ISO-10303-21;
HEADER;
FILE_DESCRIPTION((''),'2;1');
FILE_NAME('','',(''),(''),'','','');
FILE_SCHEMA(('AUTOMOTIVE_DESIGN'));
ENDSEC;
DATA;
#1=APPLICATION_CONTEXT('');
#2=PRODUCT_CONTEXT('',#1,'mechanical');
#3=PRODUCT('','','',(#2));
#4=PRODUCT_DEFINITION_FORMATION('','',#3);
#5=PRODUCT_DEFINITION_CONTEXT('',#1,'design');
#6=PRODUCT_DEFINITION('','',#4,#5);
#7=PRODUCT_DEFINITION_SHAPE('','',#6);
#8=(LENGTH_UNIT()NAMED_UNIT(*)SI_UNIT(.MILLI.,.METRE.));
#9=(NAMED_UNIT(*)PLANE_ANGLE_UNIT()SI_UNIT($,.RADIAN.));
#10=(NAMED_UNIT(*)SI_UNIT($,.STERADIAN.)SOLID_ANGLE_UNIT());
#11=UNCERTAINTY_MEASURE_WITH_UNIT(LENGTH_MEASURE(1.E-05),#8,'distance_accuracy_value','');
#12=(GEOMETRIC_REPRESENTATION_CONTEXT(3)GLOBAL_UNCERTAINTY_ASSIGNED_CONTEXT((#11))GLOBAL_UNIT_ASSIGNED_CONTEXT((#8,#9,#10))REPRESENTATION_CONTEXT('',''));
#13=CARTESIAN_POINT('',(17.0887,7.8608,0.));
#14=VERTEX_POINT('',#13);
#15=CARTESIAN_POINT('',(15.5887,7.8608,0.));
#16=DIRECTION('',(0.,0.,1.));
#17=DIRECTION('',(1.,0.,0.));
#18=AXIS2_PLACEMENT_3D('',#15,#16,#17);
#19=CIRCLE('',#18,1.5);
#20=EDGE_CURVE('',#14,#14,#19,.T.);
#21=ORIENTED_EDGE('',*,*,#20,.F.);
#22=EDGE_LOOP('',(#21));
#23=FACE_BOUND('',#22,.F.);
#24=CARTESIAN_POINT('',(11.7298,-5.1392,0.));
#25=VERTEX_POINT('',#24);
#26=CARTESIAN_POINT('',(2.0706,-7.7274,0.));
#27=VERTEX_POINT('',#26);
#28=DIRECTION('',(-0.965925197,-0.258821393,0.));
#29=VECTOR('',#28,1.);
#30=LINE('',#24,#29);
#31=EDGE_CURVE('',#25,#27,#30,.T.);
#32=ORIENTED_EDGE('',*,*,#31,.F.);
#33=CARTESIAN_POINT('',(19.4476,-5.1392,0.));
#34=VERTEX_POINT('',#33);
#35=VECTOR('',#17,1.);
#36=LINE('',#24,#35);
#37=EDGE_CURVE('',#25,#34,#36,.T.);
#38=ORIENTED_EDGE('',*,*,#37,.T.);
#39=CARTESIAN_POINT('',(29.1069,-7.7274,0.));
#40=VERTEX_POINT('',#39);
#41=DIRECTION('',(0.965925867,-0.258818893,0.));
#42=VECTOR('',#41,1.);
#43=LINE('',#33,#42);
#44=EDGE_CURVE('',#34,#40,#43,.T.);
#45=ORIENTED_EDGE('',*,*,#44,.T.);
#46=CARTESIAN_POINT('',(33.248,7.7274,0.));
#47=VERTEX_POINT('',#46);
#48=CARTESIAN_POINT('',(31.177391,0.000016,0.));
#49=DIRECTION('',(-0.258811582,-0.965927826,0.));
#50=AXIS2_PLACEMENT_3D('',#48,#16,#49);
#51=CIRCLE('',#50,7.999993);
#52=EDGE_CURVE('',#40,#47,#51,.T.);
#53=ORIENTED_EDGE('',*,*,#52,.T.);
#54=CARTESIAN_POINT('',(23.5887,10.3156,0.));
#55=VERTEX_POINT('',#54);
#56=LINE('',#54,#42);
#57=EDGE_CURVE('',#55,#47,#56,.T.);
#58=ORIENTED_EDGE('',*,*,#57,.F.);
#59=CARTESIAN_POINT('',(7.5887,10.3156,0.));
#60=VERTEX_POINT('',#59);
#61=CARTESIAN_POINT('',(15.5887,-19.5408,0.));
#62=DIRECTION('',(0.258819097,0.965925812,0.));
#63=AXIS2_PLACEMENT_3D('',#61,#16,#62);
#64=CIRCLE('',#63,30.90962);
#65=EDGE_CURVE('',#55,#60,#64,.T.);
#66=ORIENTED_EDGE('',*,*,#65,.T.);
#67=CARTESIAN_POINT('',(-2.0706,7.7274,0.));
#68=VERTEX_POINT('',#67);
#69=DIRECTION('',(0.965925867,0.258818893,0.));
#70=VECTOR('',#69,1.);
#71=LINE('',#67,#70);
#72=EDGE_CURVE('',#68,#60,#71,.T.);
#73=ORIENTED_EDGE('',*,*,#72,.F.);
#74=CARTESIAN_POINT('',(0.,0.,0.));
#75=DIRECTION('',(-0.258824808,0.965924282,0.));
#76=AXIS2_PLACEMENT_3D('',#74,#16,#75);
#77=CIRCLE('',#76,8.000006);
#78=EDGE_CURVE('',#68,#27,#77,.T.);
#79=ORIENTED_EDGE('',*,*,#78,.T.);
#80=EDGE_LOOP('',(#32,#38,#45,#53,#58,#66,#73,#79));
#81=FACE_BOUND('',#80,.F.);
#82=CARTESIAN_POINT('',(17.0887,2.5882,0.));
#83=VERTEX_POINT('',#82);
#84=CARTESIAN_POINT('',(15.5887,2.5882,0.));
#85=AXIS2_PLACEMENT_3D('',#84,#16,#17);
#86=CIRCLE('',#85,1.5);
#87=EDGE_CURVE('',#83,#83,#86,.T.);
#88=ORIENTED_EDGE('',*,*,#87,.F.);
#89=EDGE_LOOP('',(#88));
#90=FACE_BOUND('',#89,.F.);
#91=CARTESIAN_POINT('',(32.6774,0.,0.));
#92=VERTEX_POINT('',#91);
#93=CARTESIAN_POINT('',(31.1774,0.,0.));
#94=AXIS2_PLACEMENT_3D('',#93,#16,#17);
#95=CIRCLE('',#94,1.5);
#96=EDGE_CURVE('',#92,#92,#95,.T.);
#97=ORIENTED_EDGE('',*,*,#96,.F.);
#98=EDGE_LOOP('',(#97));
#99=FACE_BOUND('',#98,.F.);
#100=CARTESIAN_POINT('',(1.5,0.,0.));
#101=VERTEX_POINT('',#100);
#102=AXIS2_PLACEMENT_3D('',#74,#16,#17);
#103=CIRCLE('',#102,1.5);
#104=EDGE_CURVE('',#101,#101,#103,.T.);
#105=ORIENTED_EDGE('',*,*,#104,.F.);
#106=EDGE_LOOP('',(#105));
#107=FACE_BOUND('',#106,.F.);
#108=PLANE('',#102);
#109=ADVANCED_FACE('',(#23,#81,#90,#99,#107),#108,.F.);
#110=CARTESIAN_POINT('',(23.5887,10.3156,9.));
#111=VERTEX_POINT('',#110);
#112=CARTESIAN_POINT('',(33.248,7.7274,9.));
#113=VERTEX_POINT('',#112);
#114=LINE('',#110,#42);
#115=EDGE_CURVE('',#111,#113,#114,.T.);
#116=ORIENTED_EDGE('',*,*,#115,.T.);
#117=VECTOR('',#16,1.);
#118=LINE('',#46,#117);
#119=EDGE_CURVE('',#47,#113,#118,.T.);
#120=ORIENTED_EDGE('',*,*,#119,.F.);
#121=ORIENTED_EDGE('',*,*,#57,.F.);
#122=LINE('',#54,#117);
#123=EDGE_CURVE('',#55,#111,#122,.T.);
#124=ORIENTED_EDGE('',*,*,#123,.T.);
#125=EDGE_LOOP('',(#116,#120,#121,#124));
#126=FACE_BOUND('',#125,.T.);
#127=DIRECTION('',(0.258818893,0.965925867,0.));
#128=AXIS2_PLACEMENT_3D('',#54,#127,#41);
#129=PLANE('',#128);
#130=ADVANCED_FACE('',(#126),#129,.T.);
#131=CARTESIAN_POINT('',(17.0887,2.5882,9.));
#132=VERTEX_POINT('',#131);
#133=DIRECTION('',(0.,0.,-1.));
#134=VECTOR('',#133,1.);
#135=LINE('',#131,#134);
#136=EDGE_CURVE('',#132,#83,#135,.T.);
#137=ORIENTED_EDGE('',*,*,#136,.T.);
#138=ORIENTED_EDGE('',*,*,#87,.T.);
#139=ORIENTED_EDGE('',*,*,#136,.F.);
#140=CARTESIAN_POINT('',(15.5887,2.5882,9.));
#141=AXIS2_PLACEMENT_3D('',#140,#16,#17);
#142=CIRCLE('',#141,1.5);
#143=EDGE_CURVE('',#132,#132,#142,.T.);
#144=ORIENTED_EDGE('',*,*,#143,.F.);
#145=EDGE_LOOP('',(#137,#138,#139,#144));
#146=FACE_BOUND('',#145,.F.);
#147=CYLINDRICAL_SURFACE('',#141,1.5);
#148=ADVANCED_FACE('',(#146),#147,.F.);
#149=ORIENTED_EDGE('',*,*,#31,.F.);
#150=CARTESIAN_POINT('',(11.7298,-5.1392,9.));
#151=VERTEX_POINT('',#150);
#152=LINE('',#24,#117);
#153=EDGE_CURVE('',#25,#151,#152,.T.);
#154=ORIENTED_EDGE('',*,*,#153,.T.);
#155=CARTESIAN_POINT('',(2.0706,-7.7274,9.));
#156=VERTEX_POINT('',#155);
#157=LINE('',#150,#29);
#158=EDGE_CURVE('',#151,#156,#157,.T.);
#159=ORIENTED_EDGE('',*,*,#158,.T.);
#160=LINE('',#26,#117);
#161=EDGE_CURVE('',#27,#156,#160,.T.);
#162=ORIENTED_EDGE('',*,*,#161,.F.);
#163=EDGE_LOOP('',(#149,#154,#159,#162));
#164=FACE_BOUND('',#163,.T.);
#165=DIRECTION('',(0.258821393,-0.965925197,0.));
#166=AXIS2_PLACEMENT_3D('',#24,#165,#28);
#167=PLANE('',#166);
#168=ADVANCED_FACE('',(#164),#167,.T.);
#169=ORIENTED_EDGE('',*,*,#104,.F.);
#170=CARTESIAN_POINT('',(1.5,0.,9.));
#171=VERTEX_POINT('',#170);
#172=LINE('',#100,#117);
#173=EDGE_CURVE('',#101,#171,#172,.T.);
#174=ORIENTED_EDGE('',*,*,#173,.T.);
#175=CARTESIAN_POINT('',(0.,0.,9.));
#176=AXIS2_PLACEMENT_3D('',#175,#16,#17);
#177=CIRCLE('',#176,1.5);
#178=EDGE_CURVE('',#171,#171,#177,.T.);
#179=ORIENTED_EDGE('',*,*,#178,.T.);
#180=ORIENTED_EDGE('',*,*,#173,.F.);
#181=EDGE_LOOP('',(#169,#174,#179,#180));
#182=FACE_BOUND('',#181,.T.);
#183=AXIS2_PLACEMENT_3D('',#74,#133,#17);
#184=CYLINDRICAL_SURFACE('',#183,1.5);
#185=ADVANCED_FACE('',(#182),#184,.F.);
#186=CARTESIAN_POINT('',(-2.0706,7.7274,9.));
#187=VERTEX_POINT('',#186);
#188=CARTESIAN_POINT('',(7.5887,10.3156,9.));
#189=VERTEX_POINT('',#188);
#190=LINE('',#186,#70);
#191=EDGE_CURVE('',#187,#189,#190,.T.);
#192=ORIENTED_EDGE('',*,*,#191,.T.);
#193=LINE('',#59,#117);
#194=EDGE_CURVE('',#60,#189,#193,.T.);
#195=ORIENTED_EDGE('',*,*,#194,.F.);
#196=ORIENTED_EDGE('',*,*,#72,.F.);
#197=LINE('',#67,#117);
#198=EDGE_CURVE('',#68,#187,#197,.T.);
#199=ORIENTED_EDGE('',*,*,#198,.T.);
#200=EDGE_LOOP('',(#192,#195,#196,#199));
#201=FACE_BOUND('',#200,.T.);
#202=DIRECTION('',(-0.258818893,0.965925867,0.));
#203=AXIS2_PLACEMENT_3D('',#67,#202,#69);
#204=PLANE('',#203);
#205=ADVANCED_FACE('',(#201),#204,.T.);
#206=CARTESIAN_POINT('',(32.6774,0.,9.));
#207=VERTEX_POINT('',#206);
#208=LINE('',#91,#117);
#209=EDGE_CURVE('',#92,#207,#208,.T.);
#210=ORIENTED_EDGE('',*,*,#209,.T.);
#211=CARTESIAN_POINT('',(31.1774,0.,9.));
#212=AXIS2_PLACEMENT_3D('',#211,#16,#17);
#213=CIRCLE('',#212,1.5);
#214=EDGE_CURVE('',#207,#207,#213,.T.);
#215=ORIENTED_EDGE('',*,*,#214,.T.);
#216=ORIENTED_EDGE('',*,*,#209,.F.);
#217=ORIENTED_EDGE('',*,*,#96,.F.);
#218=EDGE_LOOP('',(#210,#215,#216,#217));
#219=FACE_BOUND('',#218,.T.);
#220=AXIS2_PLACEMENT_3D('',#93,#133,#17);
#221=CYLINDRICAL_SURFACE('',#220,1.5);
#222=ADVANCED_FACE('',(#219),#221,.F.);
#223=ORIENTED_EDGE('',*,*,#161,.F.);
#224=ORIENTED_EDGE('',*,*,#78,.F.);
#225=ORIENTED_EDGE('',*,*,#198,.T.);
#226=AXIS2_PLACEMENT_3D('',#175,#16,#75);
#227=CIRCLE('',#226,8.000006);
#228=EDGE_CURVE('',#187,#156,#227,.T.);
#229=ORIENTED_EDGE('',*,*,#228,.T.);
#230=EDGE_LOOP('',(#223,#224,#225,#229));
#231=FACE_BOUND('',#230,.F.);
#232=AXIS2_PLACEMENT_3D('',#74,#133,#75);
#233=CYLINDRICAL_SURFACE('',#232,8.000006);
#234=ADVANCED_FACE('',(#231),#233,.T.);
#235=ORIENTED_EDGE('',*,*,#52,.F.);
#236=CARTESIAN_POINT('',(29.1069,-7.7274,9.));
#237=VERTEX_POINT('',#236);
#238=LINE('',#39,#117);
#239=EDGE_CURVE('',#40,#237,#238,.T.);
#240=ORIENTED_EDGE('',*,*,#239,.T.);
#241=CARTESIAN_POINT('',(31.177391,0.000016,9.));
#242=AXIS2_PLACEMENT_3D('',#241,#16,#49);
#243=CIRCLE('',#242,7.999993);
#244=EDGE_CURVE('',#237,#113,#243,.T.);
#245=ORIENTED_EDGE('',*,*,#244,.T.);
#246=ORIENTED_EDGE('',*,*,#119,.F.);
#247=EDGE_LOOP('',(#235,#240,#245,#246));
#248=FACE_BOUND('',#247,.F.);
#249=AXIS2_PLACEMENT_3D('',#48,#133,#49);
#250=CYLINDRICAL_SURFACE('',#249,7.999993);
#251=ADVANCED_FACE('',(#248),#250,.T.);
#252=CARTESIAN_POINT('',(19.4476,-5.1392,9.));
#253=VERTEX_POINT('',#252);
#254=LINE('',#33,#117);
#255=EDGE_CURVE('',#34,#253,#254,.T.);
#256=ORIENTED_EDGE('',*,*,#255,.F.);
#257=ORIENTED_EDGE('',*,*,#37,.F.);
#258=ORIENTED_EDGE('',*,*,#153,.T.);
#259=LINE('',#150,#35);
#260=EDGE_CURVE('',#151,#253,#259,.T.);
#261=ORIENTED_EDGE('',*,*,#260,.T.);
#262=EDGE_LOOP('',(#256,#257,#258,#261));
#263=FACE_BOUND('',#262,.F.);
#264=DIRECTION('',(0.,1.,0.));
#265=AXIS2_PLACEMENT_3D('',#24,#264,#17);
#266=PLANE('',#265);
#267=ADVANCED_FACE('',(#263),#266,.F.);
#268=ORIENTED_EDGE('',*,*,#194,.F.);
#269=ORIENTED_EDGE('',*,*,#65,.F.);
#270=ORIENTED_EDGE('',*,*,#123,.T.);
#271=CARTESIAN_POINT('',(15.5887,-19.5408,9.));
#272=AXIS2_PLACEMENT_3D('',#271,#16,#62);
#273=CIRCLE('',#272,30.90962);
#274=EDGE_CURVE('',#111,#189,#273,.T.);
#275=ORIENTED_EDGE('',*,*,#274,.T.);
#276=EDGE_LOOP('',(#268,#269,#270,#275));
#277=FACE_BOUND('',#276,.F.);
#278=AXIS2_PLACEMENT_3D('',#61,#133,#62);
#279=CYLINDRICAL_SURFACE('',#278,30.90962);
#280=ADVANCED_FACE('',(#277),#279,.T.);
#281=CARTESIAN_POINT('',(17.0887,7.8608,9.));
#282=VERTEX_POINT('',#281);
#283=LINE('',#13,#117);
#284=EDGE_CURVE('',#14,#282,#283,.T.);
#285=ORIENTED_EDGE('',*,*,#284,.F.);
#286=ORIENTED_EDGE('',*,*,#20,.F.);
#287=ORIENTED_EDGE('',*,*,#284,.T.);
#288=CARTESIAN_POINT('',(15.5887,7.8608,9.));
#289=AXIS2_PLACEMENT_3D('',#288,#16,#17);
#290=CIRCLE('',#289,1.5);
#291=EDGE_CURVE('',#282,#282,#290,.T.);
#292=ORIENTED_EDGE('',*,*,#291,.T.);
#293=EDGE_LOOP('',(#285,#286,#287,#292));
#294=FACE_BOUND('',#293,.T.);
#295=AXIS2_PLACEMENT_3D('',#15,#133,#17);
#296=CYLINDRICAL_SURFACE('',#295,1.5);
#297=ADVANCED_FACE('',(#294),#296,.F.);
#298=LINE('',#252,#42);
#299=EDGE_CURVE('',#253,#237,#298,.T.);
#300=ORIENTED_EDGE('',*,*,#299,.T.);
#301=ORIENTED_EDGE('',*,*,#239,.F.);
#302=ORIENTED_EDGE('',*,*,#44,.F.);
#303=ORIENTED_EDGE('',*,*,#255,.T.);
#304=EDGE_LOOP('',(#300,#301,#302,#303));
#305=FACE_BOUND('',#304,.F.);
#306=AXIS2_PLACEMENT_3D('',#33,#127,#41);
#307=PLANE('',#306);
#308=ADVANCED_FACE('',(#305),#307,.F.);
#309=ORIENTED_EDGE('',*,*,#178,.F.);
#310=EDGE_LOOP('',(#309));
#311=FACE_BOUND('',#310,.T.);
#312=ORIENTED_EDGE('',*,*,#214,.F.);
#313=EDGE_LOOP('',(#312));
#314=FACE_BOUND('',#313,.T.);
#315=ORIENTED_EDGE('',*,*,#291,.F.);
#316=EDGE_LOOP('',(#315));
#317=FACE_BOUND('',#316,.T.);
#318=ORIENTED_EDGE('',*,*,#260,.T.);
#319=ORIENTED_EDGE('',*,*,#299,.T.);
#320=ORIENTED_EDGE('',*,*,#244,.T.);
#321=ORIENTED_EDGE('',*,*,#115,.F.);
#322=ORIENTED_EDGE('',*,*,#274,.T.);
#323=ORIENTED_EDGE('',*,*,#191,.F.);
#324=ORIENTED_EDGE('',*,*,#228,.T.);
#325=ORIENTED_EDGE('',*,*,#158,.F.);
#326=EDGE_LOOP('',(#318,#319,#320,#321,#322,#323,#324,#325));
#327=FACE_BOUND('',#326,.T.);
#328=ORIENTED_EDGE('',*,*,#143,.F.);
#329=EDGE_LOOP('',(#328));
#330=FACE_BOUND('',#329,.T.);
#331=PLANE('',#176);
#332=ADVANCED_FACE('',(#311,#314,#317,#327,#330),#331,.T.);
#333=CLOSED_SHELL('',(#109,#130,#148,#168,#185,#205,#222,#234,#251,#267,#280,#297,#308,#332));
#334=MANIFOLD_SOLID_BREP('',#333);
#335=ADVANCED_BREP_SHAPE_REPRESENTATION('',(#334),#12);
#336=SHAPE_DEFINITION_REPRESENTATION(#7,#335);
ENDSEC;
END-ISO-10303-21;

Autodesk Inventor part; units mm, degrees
ref_plane "YZ Plane" through (0, 0, 0) normal (1, 0, 0) x (0, 1, 0)
ref_plane "XZ Plane" through (0, 0, 0) normal (0, 1, 0) x (-1, 0, 0)
ref_plane "XY Plane" through (0, 0, 0) normal (0, 0, 1) x (1, 0, 0)
sketch "Sketch1" plane through (0, 0, 0) normal (0, 0, 1) x (1, 0, 0)
  line L0 (19.4476, -5.1392) -> (29.1069, -7.7274)
  line L1 (19.4476, -5.1392) -> (23.5887, 10.3156) construction
  line L2 (11.7298, -5.1392) -> (19.4476, -5.1392)
  line L3 (7.5887, 10.3156) -> (11.7298, -5.1392) construction
  line L4 (7.5887, 10.3156) -> (23.5887, 10.3156) construction
  arc A0 (23.5887, 10.3156) -> (7.5887, 10.3156) centre (15.5887, -19.5408) ccw
  line L5 (11.7298, -5.1392) -> (2.0706, -7.7274)
  line L6 (-2.0706, 7.7274) -> (7.5887, 10.3156)
  arc A1 (-2.0706, 7.7274) -> (2.0706, -7.7274) centre (0, 0) ccw
  circle A2 centre (0, 0) radius 8 construction
  circle A3 centre (31.1774, 0) radius 8 construction
  arc A4 (29.1069, -7.7274) -> (33.248, 7.7274) centre (31.1774, 0) ccw
  line L7 (23.5887, 10.3156) -> (33.248, 7.7274)
  circle A5 centre (0, 0) radius 1.5
  circle A6 centre (31.1774, 0) radius 1.5
  circle A7 centre (15.5887, 7.8608) radius 1.5
  point P0 (0, 0)
  point P1 (15.5887, 10.3156)
  dimension "d0" = 16
  dimension "d1" = 16
  dimension "d2" = 16
  dimension "d3" = 10
  dimension "d4" = 10
  dimension "d5" = 16
  dimension "d6" = 16
  dimension "d7" = 75
  dimension "d8" = 3
  dimension "d9" = 3
  dimension "d10" = 3
  dimension "d11" = 13
extrude "Extrusion1" add sketch "Sketch1" along normal blind 9
sketch "Sketch3" plane through (0, 0, 9) normal (0, 0, 1) x (1, 0, 0)
  circle A0 centre (15.5887, 2.5882) radius 1.5
  line L0 (11.7298, -5.1392) -> (19.4476, -5.1392) construction
  line L1 (7.5887, 10.3156) -> (-2.0706, 7.7274) construction
  line L2 (33.248, 7.7274) -> (23.5887, 10.3156) construction
  line L3 (7.5887, 10.3156) -> (23.5887, 10.3156) construction
  line L4 (15.5887, 10.3156) -> (15.5887, -5.1392) construction
  point P0 (0, 0)
  point P1 (15.5887, 2.5882)
  dimension "d19" = 3
extrude "Extrusion3" cut sketch "Sketch3" against normal through all
properties material "ABS Plastic"
